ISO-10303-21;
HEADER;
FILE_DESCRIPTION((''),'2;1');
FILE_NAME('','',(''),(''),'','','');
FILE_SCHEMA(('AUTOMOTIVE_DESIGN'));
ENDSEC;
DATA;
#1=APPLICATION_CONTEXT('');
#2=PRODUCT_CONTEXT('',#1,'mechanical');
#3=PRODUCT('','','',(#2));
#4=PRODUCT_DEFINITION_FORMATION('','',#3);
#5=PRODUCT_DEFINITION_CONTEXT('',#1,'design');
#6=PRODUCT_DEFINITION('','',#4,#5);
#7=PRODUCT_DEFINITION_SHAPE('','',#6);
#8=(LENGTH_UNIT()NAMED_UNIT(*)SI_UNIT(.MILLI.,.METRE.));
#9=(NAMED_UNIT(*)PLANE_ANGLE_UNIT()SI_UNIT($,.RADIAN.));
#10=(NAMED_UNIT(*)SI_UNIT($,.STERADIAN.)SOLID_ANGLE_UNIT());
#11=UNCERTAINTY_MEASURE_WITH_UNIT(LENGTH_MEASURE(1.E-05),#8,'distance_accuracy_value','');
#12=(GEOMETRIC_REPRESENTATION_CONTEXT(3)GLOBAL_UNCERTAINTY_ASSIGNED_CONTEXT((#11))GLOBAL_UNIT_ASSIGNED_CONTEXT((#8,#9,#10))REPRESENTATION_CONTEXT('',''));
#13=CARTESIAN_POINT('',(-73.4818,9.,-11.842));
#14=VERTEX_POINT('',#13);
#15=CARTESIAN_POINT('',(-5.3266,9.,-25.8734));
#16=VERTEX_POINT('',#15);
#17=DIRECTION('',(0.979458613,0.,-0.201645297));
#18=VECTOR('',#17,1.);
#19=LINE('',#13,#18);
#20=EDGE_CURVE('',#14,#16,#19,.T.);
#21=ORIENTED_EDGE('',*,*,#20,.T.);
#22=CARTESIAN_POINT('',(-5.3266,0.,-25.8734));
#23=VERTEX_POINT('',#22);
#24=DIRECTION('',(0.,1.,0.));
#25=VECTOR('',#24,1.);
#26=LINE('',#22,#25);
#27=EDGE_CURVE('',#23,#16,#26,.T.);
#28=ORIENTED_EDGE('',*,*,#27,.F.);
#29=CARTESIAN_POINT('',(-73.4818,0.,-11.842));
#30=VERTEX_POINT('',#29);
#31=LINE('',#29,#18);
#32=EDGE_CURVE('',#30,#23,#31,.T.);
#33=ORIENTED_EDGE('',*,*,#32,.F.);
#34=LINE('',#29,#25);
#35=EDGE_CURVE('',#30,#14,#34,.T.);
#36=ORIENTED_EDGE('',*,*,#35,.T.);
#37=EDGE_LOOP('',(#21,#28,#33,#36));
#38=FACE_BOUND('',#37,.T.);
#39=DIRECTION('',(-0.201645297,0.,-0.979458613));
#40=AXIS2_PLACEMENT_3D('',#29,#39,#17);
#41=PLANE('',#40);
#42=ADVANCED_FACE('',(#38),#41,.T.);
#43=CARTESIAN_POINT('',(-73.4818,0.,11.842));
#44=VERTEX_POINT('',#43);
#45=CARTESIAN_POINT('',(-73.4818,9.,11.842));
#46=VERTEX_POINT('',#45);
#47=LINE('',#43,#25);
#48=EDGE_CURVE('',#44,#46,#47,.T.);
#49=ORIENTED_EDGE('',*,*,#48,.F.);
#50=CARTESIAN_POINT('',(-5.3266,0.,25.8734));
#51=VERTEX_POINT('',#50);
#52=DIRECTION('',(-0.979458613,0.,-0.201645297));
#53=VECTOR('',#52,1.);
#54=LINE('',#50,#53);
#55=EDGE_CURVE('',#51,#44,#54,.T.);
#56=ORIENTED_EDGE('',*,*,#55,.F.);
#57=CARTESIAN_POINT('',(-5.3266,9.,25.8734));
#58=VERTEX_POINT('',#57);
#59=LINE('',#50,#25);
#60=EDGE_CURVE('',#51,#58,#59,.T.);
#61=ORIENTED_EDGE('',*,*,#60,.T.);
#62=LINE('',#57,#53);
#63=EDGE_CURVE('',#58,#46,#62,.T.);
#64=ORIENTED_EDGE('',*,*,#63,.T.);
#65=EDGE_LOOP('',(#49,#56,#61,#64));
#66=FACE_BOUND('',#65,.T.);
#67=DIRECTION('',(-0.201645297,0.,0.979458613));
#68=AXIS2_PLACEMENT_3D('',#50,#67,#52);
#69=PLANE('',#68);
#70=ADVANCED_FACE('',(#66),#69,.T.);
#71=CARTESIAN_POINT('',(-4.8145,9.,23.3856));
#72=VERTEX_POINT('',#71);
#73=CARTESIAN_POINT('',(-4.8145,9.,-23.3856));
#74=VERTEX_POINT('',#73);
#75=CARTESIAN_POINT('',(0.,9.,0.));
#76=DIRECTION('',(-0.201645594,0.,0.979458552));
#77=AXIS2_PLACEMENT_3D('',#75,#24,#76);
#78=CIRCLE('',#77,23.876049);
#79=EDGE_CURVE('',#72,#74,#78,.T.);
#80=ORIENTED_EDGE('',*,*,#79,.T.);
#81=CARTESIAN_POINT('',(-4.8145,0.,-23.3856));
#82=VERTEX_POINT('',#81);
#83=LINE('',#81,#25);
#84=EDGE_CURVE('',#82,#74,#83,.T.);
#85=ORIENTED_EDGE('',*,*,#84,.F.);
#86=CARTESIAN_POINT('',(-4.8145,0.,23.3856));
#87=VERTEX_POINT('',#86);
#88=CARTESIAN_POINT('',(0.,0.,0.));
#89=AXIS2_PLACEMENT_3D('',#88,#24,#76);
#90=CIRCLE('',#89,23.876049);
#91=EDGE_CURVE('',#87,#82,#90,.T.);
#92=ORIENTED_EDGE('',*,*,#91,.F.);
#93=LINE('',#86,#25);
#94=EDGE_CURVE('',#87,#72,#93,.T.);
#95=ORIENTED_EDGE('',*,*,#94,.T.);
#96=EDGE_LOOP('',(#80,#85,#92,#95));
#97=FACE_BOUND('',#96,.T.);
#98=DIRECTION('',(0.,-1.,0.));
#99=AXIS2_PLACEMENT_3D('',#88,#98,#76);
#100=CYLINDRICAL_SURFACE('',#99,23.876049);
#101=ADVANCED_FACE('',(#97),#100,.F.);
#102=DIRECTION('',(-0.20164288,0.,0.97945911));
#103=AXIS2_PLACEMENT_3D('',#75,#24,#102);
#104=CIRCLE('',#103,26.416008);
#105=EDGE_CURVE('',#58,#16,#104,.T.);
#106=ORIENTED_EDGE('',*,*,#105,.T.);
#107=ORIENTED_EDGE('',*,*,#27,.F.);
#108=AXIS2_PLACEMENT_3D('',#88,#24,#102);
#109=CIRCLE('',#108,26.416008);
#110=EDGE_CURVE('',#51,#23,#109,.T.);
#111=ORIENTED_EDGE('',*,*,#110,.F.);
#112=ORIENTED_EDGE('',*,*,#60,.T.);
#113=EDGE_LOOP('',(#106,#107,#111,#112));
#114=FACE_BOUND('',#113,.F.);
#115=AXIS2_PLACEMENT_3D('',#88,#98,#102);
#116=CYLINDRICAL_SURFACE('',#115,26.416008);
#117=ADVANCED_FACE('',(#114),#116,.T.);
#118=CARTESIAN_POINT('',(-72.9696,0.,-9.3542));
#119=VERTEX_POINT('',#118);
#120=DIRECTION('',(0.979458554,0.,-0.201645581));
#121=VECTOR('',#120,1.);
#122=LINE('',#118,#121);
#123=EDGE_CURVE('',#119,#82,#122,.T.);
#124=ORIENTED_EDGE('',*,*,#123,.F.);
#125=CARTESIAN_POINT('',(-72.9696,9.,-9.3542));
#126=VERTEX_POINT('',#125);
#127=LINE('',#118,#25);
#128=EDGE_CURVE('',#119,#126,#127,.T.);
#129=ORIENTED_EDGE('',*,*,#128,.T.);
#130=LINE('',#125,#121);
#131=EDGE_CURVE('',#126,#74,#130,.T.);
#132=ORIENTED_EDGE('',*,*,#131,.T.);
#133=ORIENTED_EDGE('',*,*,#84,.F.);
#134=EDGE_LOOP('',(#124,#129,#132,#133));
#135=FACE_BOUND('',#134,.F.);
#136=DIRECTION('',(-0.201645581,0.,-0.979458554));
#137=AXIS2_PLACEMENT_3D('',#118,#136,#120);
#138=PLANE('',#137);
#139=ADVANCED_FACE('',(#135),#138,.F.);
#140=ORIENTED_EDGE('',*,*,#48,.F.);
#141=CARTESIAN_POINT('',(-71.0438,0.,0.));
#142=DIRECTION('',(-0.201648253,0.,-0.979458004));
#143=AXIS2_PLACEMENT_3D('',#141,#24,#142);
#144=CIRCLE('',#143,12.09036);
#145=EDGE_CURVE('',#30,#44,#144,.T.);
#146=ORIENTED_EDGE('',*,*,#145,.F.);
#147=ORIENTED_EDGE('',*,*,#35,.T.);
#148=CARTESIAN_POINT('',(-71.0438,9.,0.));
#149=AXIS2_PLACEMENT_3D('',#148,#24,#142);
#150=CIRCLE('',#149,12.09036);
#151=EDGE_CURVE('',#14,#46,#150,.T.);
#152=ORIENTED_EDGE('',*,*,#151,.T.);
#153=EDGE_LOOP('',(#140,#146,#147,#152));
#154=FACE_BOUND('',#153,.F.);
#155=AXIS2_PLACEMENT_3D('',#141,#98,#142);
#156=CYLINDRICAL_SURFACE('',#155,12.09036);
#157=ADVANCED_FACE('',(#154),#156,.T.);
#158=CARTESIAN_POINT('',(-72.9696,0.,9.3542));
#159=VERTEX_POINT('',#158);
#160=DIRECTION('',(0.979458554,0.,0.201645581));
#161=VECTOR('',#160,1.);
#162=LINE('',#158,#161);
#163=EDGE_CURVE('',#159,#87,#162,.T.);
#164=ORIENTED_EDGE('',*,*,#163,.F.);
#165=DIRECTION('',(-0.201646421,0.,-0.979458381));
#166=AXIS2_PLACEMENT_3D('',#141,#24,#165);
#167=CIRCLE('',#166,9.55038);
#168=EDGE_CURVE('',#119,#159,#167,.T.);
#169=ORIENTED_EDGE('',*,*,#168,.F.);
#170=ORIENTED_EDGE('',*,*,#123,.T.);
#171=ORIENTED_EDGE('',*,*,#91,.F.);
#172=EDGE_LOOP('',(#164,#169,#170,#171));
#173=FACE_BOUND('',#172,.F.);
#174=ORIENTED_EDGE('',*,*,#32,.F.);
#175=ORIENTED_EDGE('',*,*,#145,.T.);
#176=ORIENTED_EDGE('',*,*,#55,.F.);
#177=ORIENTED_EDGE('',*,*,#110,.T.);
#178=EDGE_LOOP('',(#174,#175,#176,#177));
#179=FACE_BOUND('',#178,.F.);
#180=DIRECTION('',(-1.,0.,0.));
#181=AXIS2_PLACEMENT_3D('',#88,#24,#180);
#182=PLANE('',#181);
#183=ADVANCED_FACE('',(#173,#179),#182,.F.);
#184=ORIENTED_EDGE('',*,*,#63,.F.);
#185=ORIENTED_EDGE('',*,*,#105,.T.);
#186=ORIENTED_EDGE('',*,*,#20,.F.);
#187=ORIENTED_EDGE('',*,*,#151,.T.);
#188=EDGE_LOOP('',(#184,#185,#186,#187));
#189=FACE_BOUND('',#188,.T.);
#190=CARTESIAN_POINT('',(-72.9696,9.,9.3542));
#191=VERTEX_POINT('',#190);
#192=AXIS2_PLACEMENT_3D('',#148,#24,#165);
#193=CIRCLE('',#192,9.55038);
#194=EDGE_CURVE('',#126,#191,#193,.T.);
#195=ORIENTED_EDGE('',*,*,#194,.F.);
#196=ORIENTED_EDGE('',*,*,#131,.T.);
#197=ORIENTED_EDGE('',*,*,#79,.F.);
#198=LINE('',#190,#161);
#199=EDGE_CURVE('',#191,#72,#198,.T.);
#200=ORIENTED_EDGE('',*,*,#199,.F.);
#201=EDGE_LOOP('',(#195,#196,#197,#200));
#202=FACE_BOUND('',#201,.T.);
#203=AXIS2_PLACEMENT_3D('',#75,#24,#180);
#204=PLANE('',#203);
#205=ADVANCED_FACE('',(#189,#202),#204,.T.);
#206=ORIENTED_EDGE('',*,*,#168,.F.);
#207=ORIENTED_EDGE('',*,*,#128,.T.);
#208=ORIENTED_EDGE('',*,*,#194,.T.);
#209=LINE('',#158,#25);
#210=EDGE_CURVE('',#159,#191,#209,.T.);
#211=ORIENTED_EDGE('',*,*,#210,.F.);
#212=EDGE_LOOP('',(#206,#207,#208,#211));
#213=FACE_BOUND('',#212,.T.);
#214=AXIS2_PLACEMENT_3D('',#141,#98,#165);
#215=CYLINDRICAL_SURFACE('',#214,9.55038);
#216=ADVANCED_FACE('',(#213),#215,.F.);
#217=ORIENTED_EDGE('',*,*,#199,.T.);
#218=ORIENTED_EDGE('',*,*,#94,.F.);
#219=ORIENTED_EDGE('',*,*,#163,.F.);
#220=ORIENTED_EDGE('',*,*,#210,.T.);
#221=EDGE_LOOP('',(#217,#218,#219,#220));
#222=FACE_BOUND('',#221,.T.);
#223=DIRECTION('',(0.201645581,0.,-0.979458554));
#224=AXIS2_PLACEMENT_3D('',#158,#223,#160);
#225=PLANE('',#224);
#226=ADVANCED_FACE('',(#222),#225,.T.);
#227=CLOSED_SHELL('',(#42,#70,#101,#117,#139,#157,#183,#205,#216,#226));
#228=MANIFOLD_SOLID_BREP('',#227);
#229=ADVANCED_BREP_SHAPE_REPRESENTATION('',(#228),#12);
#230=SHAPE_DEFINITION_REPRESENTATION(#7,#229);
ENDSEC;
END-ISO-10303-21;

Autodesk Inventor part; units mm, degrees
ref_plane "YZ Plane" through (0, 0, 0) normal (1, 0, 0) x (0, 1, 0)
ref_plane "XZ Plane" through (0, 0, 0) normal (0, 1, 0) x (-1, 0, 0)
ref_plane "XY Plane" through (0, 0, 0) normal (0, 0, 1) x (1, 0, 0)
sketch "Sketch1" plane through (0, 0, 0) normal (0, 1, 0) x (-1, 0, 0)
  circle A0 centre (0, 0) radius 23.876 construction
  circle A1 centre (71.0438, 0) radius 9.5504 construction
  line L0 (72.9696, 9.3542) -> (4.8145, 23.3856)
  line L1 (72.9696, -9.3542) -> (4.8145, -23.3856)
  arc A2 (72.9696, -9.3542) -> (72.9696, 9.3542) centre (71.0438, 0) ccw
  arc A3 (4.8145, 23.3856) -> (4.8145, -23.3856) centre (0, 0) ccw
  line L2 (5.3266, 25.8734) -> (73.4818, 11.842)
  arc A4 (73.4818, -11.842) -> (73.4818, 11.842) centre (71.0438, 0) ccw
  line L3 (73.4818, -11.842) -> (5.3266, -25.8734)
  arc A5 (5.3266, 25.8734) -> (5.3266, -25.8734) centre (0, 0) ccw
  dimension "d0" = 47.752
  dimension "d1" = 19.1008
  dimension "d2" = 71.0438
  dimension "d3" = 2.54
extrude "Extrusion1" add sketch "Sketch1" along normal blind 9
properties part number "CLIM_004_RollerBelt" material "Rubber, Silicone"
